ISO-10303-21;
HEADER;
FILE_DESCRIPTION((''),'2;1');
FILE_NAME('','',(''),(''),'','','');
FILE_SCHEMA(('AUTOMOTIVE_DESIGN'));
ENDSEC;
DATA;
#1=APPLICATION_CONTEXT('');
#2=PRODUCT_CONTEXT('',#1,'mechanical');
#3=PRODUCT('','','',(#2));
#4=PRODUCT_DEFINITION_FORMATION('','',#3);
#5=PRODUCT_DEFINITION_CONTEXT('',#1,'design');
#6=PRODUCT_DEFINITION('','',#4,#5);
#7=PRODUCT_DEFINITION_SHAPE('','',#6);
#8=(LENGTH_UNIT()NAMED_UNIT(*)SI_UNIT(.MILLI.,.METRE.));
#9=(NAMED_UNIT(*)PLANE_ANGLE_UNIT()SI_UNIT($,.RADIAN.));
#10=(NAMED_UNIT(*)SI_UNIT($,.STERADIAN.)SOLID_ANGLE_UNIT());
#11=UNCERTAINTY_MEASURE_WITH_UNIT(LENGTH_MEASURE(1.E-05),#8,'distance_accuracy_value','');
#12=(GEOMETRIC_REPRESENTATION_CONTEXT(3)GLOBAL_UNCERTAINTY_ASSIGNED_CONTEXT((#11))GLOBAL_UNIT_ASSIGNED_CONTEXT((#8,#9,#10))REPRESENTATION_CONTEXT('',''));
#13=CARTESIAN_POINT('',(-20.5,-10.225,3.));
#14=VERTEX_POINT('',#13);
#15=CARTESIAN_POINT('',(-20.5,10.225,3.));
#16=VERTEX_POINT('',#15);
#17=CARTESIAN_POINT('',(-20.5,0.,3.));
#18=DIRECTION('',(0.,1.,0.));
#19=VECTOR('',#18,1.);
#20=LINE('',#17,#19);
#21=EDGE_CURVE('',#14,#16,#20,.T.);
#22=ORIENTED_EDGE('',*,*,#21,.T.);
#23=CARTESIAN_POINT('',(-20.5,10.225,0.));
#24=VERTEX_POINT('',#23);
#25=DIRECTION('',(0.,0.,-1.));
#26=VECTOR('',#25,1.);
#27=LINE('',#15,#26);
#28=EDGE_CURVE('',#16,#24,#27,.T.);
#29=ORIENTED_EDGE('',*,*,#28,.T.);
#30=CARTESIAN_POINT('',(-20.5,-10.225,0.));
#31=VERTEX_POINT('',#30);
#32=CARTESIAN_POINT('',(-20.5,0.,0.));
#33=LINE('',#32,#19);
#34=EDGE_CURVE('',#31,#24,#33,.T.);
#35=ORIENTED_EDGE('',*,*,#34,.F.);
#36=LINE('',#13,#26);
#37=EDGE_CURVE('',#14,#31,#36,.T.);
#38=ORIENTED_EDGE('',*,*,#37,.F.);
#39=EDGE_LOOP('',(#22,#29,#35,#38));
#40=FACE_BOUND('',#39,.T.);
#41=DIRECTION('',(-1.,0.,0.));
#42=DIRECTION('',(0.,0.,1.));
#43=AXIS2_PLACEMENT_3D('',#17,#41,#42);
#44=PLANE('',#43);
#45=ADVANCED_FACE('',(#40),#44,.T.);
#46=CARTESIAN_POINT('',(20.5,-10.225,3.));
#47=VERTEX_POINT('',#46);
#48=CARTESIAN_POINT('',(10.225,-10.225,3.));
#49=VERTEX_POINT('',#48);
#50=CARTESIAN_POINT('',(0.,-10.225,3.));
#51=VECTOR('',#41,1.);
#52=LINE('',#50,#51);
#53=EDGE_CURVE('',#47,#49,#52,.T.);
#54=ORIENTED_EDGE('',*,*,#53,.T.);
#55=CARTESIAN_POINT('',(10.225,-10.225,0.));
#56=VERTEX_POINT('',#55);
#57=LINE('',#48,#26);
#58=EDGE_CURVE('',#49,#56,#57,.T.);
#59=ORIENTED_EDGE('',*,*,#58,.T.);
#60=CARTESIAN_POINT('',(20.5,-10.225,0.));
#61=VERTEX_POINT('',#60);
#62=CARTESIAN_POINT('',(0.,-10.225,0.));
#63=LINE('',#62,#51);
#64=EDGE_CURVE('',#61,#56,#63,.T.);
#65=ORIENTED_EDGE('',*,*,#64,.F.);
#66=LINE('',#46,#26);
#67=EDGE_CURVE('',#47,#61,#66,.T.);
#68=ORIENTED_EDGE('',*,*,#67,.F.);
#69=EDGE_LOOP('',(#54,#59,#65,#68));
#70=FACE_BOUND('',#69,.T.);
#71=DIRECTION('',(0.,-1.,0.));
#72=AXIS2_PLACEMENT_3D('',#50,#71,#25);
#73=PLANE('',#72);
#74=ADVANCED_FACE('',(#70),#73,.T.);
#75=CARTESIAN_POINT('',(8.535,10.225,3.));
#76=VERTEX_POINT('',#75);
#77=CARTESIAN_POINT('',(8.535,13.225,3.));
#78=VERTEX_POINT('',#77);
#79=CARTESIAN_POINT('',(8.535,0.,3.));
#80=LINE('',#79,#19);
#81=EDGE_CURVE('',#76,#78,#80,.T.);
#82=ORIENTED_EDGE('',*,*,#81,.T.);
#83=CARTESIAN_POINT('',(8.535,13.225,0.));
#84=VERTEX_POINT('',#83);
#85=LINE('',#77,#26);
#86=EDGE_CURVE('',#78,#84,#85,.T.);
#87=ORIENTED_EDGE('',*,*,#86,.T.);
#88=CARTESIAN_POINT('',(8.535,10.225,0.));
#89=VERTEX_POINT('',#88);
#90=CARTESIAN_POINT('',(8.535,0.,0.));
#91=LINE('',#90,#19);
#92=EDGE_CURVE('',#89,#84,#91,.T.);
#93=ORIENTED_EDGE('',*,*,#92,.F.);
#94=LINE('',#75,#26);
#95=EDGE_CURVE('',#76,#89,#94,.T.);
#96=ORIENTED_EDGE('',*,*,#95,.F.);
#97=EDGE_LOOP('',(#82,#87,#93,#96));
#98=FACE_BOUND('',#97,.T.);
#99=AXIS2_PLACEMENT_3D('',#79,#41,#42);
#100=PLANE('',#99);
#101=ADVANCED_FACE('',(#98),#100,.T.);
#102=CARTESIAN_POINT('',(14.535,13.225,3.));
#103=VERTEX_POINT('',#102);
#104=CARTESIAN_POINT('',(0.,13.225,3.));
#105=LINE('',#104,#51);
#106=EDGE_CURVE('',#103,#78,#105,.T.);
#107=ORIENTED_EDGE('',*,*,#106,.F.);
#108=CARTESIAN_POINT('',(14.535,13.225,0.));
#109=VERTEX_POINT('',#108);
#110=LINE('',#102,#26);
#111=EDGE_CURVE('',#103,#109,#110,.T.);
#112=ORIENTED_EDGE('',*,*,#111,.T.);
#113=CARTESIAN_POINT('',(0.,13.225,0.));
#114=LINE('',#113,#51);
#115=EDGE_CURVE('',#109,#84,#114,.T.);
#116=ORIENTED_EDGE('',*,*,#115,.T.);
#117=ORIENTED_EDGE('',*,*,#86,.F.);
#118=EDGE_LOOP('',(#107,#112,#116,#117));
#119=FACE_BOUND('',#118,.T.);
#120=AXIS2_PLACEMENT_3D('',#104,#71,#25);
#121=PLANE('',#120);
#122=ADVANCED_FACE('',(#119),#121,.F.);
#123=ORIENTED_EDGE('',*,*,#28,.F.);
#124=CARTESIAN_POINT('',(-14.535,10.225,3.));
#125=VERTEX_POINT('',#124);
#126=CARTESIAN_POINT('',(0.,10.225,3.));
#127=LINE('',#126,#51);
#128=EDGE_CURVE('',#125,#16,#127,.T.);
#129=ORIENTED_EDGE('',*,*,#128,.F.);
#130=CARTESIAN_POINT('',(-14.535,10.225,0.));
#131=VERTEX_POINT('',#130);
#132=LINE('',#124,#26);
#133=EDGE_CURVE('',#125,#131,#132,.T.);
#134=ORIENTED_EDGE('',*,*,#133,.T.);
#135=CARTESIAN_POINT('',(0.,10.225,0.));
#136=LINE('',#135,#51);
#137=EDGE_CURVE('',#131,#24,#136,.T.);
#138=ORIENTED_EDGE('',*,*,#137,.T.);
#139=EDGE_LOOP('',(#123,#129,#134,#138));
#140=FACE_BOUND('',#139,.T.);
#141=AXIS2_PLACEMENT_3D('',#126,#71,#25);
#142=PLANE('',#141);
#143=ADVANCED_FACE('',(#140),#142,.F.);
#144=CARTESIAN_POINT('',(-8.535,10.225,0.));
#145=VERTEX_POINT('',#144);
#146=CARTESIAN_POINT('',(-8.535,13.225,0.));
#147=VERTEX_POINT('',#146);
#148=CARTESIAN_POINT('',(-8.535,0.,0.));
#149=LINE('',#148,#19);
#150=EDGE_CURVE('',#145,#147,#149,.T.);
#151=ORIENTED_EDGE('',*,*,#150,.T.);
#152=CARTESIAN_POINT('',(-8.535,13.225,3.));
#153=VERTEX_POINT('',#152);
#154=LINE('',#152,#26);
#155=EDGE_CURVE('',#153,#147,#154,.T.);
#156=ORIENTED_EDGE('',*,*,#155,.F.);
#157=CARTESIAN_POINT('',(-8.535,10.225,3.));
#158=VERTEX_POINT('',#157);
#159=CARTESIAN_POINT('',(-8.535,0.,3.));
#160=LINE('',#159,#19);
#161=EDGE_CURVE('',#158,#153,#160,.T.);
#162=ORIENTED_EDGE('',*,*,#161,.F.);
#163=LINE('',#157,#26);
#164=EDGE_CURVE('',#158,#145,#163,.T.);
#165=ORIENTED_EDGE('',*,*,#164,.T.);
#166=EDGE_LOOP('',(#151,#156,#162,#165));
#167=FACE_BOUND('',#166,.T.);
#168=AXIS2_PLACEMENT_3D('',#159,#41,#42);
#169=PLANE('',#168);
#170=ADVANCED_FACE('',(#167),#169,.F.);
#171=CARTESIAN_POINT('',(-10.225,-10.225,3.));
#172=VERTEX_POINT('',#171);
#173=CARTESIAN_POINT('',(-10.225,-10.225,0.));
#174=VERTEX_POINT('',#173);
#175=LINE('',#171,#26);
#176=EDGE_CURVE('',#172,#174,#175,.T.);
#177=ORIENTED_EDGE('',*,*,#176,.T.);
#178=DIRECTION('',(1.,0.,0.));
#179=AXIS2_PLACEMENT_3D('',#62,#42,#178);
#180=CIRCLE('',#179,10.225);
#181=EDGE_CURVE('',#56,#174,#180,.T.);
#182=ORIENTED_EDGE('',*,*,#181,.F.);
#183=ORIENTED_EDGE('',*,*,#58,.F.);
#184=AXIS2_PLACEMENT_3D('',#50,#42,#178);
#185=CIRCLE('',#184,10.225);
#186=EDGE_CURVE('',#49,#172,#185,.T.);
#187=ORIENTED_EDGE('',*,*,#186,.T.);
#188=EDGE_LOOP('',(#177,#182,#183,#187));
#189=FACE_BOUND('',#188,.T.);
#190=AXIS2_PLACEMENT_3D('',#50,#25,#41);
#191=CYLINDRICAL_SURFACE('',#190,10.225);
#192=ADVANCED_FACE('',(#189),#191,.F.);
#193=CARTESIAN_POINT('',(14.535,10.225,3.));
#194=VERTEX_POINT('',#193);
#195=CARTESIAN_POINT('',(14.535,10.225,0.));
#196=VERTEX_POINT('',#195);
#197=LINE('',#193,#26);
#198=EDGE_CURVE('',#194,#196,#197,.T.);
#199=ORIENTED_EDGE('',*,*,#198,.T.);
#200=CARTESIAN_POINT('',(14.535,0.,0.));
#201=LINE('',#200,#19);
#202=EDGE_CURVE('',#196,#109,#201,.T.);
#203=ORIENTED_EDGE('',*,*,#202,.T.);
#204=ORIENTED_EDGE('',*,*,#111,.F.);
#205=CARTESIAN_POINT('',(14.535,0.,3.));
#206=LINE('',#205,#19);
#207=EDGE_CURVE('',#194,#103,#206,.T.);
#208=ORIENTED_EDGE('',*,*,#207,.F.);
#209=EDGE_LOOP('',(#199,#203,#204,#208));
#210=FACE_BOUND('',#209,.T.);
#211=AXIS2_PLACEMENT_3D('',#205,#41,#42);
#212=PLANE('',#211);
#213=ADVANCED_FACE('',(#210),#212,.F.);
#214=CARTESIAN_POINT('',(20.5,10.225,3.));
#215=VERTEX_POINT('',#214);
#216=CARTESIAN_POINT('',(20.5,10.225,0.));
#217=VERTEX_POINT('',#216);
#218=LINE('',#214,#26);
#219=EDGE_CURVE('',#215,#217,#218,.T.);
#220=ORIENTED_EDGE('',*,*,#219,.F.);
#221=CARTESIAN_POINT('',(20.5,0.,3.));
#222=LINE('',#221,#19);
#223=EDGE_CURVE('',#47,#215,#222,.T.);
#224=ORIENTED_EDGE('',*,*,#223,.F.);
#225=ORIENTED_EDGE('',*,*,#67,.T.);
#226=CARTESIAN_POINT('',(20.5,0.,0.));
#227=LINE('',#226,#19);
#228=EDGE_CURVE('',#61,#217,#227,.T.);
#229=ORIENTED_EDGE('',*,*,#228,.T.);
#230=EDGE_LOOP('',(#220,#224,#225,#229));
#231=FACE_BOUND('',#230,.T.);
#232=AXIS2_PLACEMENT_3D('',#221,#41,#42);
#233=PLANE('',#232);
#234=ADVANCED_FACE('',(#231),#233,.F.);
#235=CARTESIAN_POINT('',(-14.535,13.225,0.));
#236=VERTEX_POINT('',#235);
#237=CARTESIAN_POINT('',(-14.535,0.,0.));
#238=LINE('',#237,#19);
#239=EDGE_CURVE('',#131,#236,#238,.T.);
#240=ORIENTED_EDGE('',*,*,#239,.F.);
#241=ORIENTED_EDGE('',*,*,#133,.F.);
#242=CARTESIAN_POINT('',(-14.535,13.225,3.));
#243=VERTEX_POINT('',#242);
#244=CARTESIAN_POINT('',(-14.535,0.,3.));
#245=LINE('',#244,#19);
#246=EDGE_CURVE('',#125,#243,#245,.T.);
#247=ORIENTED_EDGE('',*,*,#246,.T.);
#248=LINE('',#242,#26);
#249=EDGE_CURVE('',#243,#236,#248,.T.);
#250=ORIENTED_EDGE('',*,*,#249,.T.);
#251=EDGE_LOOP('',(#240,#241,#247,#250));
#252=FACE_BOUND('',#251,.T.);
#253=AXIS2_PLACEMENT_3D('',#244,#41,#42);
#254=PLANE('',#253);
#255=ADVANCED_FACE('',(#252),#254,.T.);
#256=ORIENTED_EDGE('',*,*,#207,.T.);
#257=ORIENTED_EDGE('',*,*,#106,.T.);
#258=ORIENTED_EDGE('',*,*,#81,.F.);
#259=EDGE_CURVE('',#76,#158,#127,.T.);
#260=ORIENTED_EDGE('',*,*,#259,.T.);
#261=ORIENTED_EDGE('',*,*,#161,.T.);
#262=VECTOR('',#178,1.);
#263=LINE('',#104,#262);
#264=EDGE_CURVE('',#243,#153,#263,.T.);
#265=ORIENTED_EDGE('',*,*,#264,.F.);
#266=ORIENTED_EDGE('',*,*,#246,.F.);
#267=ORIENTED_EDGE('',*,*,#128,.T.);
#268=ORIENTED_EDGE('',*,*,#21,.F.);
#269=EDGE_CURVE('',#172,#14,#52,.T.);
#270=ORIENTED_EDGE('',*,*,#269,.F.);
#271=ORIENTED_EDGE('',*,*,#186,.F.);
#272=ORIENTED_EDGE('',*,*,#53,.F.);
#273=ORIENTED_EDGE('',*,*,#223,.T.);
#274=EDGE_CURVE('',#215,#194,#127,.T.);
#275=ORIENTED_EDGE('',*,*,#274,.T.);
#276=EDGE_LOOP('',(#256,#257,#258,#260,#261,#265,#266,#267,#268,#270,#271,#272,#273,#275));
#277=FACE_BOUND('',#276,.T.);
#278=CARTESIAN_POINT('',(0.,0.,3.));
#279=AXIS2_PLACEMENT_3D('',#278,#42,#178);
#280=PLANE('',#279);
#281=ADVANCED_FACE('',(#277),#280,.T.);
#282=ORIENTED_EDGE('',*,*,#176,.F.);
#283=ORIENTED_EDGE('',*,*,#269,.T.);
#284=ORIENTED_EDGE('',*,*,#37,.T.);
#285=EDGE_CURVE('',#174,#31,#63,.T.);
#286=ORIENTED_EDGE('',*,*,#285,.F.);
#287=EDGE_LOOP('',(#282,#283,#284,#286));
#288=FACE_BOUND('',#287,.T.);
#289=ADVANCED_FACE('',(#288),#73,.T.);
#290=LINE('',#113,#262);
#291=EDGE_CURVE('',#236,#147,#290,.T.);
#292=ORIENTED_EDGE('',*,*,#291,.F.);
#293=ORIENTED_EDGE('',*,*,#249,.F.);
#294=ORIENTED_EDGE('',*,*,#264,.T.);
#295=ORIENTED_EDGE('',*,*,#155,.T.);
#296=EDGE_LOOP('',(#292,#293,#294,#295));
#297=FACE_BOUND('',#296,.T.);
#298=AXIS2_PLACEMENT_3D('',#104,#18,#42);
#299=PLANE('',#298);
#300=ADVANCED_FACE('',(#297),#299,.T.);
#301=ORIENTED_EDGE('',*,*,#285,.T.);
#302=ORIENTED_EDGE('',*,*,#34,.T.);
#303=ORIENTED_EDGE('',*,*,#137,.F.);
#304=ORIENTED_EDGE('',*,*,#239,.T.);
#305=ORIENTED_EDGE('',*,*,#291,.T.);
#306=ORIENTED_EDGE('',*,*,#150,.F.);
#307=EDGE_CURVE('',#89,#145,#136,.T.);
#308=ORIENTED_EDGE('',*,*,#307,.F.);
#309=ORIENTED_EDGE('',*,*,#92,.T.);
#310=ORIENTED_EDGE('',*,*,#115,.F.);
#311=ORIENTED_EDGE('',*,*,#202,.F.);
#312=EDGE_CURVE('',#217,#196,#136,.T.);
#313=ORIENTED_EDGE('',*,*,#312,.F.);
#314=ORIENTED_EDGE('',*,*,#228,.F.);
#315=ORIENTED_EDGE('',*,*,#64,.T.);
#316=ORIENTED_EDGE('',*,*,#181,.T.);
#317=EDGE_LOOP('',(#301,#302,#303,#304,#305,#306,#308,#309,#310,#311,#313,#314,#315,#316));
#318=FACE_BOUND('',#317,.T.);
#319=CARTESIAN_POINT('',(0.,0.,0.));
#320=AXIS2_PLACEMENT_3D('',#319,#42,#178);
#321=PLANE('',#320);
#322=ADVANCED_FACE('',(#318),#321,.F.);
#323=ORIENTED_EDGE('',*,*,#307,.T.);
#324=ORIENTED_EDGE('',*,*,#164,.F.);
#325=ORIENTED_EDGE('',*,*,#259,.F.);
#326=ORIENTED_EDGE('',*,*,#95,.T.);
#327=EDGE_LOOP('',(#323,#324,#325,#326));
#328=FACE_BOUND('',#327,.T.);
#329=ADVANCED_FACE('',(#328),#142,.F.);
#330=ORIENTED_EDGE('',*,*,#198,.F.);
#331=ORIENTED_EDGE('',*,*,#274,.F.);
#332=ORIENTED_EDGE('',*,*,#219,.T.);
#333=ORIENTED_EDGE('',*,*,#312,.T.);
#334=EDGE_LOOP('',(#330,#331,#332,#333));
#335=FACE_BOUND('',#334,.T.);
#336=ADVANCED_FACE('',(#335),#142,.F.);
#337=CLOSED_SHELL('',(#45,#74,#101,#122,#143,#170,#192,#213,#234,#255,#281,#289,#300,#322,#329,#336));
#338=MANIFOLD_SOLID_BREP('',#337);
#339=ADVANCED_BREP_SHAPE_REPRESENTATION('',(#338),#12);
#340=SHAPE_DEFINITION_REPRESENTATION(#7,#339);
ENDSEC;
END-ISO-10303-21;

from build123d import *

# Parameters (mm, degrees)
BOSS_EXTRUDE1_DEPTH = 3


with BuildPart() as part:
    # Sketch1 → Boss-Extrude1 (new body)
    with BuildSketch(Plane.XY):
        with BuildLine():
            ThreePointArc((-10.225, -10.225), (0, 0), (10.225, -10.225))
            Line((10.225, -10.225), (20.5, -10.225))
            Line((20.5, -10.225), (20.5, 10.225))
            Line((20.5, 10.225), (14.535, 10.225))
            Line((14.535, 10.225), (14.535, 13.225))
            Line((14.535, 13.225), (8.535, 13.225))
            Line((8.535, 13.225), (8.535, 10.225))
            Line((8.535, 10.225), (-8.535, 10.225))
            Line((-8.535, 10.225), (-8.535, 13.225))
            Line((-8.535, 13.225), (-14.535, 13.225))
            Line((-14.535, 13.225), (-14.535, 10.225))
            Line((-14.535, 10.225), (-20.5, 10.225))
            Line((-20.5, 10.225), (-20.5, -10.225))
            Line((-20.5, -10.225), (-10.225, -10.225))
        make_face()
    extrude(amount=BOSS_EXTRUDE1_DEPTH)


solid = part.part
